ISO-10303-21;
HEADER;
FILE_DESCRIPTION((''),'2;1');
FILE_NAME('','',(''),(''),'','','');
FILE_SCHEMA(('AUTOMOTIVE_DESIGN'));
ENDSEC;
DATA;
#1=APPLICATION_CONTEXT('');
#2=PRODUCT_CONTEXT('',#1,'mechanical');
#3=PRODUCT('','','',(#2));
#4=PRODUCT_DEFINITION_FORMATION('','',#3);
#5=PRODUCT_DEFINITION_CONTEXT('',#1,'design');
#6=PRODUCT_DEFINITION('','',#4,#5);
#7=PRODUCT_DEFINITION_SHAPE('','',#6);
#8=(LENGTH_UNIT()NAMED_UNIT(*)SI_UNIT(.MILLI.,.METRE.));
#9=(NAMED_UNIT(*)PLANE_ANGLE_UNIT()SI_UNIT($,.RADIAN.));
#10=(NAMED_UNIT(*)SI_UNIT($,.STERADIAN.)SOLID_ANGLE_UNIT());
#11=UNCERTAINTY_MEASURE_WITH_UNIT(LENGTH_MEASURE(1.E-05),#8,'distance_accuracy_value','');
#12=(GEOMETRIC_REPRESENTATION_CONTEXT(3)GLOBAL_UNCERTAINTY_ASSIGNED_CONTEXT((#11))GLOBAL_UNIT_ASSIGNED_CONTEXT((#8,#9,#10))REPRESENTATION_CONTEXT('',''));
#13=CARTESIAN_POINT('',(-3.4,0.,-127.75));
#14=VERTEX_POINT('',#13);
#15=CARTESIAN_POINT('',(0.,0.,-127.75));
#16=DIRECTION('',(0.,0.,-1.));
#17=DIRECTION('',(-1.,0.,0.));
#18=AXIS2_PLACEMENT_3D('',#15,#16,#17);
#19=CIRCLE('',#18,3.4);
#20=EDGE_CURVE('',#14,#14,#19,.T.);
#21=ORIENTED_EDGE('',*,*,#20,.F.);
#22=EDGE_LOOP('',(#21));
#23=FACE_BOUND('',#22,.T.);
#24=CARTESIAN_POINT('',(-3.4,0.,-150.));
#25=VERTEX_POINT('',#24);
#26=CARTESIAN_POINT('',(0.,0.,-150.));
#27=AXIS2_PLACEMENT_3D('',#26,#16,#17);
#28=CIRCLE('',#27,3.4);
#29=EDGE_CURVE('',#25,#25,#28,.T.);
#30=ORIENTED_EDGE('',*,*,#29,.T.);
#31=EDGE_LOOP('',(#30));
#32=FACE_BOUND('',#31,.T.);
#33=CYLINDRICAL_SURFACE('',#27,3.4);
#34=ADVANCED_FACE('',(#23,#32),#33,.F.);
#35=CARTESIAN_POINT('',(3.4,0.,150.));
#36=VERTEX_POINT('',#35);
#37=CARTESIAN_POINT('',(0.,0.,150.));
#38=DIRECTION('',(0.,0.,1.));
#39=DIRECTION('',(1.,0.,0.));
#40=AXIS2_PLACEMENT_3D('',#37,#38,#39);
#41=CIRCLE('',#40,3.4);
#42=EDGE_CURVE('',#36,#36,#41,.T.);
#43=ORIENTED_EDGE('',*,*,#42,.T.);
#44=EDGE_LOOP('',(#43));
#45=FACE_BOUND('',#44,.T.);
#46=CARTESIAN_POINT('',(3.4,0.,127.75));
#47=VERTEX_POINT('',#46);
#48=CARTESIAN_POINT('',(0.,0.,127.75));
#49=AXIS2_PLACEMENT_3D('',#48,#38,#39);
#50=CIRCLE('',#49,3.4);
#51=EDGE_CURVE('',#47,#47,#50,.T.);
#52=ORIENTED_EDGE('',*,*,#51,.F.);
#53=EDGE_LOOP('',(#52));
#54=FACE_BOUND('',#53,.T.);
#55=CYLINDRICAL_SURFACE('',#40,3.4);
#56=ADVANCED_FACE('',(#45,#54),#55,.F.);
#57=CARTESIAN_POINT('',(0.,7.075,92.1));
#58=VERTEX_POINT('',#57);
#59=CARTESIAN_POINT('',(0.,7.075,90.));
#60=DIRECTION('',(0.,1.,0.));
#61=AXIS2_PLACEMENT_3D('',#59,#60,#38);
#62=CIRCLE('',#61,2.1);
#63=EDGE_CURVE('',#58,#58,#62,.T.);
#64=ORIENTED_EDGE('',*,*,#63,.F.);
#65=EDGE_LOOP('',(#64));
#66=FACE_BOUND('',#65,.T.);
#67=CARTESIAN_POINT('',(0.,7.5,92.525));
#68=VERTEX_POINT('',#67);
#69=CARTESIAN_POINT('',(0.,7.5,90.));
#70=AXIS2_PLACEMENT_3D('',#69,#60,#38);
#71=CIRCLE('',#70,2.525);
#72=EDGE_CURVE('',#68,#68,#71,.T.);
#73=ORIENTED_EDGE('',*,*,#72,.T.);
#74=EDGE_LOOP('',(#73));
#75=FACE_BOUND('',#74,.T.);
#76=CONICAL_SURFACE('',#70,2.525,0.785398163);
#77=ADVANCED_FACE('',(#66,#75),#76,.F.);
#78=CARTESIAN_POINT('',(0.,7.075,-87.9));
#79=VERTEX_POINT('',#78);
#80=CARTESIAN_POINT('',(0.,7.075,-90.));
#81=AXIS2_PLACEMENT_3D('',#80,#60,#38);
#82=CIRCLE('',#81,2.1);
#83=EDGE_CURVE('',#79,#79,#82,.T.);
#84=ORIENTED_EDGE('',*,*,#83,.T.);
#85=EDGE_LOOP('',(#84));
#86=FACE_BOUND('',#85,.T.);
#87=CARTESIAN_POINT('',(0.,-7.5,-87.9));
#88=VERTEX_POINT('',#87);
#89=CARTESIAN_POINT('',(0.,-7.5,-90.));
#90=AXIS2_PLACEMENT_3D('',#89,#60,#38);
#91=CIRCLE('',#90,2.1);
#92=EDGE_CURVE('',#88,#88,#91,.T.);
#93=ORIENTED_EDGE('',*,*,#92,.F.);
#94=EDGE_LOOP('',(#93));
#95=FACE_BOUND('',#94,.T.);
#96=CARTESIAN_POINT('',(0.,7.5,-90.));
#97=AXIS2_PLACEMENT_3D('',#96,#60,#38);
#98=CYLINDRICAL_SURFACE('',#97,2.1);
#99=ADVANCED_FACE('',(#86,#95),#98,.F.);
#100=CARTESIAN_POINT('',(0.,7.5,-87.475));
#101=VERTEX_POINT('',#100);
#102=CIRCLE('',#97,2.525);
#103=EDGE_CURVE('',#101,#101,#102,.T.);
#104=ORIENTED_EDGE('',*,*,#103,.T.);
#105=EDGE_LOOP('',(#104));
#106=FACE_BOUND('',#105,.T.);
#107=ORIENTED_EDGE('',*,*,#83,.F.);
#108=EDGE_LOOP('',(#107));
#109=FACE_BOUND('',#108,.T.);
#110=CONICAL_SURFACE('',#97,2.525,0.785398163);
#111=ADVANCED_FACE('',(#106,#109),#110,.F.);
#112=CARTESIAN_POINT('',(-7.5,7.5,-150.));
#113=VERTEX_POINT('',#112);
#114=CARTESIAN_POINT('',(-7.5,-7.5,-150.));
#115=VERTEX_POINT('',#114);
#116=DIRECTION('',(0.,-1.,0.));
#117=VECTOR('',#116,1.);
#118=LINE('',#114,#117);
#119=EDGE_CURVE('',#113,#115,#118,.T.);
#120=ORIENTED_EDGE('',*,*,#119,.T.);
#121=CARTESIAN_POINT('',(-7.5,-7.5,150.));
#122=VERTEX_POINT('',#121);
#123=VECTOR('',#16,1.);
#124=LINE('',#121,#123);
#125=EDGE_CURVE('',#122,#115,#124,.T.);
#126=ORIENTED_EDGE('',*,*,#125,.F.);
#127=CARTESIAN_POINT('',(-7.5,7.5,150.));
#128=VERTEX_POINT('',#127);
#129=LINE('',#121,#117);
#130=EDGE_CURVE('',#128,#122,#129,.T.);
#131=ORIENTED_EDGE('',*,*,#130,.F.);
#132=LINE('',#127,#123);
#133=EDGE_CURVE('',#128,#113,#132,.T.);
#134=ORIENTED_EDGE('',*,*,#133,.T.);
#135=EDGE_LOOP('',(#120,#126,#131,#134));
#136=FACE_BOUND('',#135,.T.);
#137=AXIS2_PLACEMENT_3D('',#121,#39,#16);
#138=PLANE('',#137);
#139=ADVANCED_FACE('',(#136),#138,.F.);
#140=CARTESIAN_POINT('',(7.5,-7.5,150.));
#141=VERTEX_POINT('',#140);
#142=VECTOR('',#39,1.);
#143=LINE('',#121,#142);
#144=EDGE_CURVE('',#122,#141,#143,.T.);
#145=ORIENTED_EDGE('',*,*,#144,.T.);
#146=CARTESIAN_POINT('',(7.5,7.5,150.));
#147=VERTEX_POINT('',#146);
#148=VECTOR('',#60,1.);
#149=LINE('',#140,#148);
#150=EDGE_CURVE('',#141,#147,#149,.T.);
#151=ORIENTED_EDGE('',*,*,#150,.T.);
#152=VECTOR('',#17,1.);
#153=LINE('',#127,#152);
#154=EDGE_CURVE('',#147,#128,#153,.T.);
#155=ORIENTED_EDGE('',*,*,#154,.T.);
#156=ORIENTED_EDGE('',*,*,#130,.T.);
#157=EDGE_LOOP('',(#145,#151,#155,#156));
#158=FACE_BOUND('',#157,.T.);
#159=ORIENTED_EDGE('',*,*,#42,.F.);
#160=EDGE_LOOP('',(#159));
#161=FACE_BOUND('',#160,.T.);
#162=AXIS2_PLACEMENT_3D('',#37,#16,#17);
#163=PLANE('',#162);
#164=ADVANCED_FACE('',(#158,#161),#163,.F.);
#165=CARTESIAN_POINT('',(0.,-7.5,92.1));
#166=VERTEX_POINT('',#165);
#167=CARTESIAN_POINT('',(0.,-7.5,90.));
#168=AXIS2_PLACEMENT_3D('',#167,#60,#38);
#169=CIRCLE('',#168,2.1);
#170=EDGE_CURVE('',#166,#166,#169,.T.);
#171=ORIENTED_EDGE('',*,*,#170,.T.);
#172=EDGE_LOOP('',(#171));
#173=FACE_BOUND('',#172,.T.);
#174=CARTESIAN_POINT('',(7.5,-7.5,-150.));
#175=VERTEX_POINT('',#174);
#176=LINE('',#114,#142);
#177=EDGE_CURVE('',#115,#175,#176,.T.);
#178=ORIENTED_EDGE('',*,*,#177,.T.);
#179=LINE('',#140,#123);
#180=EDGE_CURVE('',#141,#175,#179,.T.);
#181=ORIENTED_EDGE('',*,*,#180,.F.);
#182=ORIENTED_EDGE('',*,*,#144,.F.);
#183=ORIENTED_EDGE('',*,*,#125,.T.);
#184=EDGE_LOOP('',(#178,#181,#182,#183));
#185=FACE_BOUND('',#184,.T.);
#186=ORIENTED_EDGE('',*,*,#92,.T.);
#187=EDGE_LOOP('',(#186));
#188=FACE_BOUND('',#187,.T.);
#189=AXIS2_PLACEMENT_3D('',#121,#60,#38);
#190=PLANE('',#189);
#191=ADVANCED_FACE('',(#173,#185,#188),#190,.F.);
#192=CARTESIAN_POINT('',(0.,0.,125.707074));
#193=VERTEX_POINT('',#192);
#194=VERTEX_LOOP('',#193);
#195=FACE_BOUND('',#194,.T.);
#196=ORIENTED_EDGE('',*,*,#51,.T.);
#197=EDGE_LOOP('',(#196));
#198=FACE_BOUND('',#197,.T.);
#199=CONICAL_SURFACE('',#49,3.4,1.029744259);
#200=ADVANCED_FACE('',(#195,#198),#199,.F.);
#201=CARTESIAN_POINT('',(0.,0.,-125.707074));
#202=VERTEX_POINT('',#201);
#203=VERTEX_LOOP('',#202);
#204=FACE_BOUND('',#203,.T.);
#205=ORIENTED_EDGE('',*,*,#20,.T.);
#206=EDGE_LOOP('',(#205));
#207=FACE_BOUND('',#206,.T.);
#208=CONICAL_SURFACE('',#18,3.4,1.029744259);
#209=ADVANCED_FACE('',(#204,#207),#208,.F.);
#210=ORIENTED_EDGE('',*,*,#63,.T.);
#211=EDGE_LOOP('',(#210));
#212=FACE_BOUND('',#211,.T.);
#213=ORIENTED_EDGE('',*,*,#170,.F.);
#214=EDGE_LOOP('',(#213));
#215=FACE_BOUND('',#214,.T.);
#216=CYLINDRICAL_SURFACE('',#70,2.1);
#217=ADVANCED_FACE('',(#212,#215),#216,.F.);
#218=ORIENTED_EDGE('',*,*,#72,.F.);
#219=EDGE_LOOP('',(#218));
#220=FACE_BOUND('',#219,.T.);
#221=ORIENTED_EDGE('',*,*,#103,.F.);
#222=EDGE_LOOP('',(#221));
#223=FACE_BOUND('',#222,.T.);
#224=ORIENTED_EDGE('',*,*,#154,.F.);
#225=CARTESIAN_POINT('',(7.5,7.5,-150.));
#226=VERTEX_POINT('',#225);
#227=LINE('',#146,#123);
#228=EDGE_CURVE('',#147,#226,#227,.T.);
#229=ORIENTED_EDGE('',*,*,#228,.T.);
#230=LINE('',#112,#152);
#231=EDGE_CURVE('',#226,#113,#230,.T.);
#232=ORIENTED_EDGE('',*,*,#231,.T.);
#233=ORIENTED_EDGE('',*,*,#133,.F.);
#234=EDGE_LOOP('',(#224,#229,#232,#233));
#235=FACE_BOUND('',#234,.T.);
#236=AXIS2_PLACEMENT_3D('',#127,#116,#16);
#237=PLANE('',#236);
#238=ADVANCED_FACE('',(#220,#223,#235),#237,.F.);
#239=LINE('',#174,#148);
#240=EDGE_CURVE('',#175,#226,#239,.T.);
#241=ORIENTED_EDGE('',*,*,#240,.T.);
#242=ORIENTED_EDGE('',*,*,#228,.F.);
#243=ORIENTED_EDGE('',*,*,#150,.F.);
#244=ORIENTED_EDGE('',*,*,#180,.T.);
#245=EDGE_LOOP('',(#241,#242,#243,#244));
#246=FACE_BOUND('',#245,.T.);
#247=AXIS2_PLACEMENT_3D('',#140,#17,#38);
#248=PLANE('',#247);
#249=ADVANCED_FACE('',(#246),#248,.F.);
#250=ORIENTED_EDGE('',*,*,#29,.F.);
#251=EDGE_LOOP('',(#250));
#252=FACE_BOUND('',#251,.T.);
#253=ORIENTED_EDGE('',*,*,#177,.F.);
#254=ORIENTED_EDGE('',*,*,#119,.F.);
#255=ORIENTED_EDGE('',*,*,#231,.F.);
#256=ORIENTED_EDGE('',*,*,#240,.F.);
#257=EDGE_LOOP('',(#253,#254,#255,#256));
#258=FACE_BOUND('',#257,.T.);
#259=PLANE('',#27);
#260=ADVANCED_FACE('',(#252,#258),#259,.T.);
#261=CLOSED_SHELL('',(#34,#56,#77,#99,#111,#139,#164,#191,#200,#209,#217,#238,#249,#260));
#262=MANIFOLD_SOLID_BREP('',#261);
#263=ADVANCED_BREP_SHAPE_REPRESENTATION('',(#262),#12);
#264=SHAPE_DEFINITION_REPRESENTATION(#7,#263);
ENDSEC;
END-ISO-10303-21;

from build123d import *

# Parameters (mm, degrees)
IZIM1_W                     = 15
IZIM1_H                     = 15
Y_KSEKLIK_EKSTR_ZYON1_DEPTH = 150
M5_DI_LI_DELIK1_D           = 4.2
M5_DI_LI_DELIK1_CSINK_D     = 5.05
M5_DI_LI_DELIK1_CSINK_ANGLE = 90


with BuildPart() as part:
    # Çizim1 → Yükseklik-Ekstrüzyon1 (new, symmetric)
    with BuildSketch(Plane.XY):
        Rectangle(IZIM1_W, IZIM1_H)
    extrude(amount=Y_KSEKLIK_EKSTR_ZYON1_DEPTH, both=True)

    # Çizim3 → M8 Dişli Delik1 (revolve, cut)
    with BuildSketch(Plane(origin=(0, 0, 150), x_dir=(0, -1, 0), z_dir=(1, 0, 0))):
        Polygon((0, 0), (0, 24.292926105), (3.4, 22.25), (3.4, 0), align=None)
    m8_di_li_delik1 = revolve(axis=Axis((0, 0, 156.35), (0, 0, -1)), mode=Mode.SUBTRACT)

    # Aynalama1: M8 Dişli Delik1 across plane
    add(m8_di_li_delik1.mirror(Plane.XY), mode=Mode.SUBTRACT)

    # M5 Dişli Delik1 (through all)
    with Locations(Plane(origin=(0, 7.5, 0), x_dir=(1, 0, 0), z_dir=(0, 1, 0))):
        with Locations((0, 90)):
            m5_di_li_delik1 = CounterSinkHole(M5_DI_LI_DELIK1_D / 2, M5_DI_LI_DELIK1_CSINK_D / 2, counter_sink_angle=M5_DI_LI_DELIK1_CSINK_ANGLE)

    # Aynalama2: M5 Dişli Delik1 across plane
    add(m5_di_li_delik1.mirror(Plane.XY), mode=Mode.SUBTRACT)


solid = part.part
